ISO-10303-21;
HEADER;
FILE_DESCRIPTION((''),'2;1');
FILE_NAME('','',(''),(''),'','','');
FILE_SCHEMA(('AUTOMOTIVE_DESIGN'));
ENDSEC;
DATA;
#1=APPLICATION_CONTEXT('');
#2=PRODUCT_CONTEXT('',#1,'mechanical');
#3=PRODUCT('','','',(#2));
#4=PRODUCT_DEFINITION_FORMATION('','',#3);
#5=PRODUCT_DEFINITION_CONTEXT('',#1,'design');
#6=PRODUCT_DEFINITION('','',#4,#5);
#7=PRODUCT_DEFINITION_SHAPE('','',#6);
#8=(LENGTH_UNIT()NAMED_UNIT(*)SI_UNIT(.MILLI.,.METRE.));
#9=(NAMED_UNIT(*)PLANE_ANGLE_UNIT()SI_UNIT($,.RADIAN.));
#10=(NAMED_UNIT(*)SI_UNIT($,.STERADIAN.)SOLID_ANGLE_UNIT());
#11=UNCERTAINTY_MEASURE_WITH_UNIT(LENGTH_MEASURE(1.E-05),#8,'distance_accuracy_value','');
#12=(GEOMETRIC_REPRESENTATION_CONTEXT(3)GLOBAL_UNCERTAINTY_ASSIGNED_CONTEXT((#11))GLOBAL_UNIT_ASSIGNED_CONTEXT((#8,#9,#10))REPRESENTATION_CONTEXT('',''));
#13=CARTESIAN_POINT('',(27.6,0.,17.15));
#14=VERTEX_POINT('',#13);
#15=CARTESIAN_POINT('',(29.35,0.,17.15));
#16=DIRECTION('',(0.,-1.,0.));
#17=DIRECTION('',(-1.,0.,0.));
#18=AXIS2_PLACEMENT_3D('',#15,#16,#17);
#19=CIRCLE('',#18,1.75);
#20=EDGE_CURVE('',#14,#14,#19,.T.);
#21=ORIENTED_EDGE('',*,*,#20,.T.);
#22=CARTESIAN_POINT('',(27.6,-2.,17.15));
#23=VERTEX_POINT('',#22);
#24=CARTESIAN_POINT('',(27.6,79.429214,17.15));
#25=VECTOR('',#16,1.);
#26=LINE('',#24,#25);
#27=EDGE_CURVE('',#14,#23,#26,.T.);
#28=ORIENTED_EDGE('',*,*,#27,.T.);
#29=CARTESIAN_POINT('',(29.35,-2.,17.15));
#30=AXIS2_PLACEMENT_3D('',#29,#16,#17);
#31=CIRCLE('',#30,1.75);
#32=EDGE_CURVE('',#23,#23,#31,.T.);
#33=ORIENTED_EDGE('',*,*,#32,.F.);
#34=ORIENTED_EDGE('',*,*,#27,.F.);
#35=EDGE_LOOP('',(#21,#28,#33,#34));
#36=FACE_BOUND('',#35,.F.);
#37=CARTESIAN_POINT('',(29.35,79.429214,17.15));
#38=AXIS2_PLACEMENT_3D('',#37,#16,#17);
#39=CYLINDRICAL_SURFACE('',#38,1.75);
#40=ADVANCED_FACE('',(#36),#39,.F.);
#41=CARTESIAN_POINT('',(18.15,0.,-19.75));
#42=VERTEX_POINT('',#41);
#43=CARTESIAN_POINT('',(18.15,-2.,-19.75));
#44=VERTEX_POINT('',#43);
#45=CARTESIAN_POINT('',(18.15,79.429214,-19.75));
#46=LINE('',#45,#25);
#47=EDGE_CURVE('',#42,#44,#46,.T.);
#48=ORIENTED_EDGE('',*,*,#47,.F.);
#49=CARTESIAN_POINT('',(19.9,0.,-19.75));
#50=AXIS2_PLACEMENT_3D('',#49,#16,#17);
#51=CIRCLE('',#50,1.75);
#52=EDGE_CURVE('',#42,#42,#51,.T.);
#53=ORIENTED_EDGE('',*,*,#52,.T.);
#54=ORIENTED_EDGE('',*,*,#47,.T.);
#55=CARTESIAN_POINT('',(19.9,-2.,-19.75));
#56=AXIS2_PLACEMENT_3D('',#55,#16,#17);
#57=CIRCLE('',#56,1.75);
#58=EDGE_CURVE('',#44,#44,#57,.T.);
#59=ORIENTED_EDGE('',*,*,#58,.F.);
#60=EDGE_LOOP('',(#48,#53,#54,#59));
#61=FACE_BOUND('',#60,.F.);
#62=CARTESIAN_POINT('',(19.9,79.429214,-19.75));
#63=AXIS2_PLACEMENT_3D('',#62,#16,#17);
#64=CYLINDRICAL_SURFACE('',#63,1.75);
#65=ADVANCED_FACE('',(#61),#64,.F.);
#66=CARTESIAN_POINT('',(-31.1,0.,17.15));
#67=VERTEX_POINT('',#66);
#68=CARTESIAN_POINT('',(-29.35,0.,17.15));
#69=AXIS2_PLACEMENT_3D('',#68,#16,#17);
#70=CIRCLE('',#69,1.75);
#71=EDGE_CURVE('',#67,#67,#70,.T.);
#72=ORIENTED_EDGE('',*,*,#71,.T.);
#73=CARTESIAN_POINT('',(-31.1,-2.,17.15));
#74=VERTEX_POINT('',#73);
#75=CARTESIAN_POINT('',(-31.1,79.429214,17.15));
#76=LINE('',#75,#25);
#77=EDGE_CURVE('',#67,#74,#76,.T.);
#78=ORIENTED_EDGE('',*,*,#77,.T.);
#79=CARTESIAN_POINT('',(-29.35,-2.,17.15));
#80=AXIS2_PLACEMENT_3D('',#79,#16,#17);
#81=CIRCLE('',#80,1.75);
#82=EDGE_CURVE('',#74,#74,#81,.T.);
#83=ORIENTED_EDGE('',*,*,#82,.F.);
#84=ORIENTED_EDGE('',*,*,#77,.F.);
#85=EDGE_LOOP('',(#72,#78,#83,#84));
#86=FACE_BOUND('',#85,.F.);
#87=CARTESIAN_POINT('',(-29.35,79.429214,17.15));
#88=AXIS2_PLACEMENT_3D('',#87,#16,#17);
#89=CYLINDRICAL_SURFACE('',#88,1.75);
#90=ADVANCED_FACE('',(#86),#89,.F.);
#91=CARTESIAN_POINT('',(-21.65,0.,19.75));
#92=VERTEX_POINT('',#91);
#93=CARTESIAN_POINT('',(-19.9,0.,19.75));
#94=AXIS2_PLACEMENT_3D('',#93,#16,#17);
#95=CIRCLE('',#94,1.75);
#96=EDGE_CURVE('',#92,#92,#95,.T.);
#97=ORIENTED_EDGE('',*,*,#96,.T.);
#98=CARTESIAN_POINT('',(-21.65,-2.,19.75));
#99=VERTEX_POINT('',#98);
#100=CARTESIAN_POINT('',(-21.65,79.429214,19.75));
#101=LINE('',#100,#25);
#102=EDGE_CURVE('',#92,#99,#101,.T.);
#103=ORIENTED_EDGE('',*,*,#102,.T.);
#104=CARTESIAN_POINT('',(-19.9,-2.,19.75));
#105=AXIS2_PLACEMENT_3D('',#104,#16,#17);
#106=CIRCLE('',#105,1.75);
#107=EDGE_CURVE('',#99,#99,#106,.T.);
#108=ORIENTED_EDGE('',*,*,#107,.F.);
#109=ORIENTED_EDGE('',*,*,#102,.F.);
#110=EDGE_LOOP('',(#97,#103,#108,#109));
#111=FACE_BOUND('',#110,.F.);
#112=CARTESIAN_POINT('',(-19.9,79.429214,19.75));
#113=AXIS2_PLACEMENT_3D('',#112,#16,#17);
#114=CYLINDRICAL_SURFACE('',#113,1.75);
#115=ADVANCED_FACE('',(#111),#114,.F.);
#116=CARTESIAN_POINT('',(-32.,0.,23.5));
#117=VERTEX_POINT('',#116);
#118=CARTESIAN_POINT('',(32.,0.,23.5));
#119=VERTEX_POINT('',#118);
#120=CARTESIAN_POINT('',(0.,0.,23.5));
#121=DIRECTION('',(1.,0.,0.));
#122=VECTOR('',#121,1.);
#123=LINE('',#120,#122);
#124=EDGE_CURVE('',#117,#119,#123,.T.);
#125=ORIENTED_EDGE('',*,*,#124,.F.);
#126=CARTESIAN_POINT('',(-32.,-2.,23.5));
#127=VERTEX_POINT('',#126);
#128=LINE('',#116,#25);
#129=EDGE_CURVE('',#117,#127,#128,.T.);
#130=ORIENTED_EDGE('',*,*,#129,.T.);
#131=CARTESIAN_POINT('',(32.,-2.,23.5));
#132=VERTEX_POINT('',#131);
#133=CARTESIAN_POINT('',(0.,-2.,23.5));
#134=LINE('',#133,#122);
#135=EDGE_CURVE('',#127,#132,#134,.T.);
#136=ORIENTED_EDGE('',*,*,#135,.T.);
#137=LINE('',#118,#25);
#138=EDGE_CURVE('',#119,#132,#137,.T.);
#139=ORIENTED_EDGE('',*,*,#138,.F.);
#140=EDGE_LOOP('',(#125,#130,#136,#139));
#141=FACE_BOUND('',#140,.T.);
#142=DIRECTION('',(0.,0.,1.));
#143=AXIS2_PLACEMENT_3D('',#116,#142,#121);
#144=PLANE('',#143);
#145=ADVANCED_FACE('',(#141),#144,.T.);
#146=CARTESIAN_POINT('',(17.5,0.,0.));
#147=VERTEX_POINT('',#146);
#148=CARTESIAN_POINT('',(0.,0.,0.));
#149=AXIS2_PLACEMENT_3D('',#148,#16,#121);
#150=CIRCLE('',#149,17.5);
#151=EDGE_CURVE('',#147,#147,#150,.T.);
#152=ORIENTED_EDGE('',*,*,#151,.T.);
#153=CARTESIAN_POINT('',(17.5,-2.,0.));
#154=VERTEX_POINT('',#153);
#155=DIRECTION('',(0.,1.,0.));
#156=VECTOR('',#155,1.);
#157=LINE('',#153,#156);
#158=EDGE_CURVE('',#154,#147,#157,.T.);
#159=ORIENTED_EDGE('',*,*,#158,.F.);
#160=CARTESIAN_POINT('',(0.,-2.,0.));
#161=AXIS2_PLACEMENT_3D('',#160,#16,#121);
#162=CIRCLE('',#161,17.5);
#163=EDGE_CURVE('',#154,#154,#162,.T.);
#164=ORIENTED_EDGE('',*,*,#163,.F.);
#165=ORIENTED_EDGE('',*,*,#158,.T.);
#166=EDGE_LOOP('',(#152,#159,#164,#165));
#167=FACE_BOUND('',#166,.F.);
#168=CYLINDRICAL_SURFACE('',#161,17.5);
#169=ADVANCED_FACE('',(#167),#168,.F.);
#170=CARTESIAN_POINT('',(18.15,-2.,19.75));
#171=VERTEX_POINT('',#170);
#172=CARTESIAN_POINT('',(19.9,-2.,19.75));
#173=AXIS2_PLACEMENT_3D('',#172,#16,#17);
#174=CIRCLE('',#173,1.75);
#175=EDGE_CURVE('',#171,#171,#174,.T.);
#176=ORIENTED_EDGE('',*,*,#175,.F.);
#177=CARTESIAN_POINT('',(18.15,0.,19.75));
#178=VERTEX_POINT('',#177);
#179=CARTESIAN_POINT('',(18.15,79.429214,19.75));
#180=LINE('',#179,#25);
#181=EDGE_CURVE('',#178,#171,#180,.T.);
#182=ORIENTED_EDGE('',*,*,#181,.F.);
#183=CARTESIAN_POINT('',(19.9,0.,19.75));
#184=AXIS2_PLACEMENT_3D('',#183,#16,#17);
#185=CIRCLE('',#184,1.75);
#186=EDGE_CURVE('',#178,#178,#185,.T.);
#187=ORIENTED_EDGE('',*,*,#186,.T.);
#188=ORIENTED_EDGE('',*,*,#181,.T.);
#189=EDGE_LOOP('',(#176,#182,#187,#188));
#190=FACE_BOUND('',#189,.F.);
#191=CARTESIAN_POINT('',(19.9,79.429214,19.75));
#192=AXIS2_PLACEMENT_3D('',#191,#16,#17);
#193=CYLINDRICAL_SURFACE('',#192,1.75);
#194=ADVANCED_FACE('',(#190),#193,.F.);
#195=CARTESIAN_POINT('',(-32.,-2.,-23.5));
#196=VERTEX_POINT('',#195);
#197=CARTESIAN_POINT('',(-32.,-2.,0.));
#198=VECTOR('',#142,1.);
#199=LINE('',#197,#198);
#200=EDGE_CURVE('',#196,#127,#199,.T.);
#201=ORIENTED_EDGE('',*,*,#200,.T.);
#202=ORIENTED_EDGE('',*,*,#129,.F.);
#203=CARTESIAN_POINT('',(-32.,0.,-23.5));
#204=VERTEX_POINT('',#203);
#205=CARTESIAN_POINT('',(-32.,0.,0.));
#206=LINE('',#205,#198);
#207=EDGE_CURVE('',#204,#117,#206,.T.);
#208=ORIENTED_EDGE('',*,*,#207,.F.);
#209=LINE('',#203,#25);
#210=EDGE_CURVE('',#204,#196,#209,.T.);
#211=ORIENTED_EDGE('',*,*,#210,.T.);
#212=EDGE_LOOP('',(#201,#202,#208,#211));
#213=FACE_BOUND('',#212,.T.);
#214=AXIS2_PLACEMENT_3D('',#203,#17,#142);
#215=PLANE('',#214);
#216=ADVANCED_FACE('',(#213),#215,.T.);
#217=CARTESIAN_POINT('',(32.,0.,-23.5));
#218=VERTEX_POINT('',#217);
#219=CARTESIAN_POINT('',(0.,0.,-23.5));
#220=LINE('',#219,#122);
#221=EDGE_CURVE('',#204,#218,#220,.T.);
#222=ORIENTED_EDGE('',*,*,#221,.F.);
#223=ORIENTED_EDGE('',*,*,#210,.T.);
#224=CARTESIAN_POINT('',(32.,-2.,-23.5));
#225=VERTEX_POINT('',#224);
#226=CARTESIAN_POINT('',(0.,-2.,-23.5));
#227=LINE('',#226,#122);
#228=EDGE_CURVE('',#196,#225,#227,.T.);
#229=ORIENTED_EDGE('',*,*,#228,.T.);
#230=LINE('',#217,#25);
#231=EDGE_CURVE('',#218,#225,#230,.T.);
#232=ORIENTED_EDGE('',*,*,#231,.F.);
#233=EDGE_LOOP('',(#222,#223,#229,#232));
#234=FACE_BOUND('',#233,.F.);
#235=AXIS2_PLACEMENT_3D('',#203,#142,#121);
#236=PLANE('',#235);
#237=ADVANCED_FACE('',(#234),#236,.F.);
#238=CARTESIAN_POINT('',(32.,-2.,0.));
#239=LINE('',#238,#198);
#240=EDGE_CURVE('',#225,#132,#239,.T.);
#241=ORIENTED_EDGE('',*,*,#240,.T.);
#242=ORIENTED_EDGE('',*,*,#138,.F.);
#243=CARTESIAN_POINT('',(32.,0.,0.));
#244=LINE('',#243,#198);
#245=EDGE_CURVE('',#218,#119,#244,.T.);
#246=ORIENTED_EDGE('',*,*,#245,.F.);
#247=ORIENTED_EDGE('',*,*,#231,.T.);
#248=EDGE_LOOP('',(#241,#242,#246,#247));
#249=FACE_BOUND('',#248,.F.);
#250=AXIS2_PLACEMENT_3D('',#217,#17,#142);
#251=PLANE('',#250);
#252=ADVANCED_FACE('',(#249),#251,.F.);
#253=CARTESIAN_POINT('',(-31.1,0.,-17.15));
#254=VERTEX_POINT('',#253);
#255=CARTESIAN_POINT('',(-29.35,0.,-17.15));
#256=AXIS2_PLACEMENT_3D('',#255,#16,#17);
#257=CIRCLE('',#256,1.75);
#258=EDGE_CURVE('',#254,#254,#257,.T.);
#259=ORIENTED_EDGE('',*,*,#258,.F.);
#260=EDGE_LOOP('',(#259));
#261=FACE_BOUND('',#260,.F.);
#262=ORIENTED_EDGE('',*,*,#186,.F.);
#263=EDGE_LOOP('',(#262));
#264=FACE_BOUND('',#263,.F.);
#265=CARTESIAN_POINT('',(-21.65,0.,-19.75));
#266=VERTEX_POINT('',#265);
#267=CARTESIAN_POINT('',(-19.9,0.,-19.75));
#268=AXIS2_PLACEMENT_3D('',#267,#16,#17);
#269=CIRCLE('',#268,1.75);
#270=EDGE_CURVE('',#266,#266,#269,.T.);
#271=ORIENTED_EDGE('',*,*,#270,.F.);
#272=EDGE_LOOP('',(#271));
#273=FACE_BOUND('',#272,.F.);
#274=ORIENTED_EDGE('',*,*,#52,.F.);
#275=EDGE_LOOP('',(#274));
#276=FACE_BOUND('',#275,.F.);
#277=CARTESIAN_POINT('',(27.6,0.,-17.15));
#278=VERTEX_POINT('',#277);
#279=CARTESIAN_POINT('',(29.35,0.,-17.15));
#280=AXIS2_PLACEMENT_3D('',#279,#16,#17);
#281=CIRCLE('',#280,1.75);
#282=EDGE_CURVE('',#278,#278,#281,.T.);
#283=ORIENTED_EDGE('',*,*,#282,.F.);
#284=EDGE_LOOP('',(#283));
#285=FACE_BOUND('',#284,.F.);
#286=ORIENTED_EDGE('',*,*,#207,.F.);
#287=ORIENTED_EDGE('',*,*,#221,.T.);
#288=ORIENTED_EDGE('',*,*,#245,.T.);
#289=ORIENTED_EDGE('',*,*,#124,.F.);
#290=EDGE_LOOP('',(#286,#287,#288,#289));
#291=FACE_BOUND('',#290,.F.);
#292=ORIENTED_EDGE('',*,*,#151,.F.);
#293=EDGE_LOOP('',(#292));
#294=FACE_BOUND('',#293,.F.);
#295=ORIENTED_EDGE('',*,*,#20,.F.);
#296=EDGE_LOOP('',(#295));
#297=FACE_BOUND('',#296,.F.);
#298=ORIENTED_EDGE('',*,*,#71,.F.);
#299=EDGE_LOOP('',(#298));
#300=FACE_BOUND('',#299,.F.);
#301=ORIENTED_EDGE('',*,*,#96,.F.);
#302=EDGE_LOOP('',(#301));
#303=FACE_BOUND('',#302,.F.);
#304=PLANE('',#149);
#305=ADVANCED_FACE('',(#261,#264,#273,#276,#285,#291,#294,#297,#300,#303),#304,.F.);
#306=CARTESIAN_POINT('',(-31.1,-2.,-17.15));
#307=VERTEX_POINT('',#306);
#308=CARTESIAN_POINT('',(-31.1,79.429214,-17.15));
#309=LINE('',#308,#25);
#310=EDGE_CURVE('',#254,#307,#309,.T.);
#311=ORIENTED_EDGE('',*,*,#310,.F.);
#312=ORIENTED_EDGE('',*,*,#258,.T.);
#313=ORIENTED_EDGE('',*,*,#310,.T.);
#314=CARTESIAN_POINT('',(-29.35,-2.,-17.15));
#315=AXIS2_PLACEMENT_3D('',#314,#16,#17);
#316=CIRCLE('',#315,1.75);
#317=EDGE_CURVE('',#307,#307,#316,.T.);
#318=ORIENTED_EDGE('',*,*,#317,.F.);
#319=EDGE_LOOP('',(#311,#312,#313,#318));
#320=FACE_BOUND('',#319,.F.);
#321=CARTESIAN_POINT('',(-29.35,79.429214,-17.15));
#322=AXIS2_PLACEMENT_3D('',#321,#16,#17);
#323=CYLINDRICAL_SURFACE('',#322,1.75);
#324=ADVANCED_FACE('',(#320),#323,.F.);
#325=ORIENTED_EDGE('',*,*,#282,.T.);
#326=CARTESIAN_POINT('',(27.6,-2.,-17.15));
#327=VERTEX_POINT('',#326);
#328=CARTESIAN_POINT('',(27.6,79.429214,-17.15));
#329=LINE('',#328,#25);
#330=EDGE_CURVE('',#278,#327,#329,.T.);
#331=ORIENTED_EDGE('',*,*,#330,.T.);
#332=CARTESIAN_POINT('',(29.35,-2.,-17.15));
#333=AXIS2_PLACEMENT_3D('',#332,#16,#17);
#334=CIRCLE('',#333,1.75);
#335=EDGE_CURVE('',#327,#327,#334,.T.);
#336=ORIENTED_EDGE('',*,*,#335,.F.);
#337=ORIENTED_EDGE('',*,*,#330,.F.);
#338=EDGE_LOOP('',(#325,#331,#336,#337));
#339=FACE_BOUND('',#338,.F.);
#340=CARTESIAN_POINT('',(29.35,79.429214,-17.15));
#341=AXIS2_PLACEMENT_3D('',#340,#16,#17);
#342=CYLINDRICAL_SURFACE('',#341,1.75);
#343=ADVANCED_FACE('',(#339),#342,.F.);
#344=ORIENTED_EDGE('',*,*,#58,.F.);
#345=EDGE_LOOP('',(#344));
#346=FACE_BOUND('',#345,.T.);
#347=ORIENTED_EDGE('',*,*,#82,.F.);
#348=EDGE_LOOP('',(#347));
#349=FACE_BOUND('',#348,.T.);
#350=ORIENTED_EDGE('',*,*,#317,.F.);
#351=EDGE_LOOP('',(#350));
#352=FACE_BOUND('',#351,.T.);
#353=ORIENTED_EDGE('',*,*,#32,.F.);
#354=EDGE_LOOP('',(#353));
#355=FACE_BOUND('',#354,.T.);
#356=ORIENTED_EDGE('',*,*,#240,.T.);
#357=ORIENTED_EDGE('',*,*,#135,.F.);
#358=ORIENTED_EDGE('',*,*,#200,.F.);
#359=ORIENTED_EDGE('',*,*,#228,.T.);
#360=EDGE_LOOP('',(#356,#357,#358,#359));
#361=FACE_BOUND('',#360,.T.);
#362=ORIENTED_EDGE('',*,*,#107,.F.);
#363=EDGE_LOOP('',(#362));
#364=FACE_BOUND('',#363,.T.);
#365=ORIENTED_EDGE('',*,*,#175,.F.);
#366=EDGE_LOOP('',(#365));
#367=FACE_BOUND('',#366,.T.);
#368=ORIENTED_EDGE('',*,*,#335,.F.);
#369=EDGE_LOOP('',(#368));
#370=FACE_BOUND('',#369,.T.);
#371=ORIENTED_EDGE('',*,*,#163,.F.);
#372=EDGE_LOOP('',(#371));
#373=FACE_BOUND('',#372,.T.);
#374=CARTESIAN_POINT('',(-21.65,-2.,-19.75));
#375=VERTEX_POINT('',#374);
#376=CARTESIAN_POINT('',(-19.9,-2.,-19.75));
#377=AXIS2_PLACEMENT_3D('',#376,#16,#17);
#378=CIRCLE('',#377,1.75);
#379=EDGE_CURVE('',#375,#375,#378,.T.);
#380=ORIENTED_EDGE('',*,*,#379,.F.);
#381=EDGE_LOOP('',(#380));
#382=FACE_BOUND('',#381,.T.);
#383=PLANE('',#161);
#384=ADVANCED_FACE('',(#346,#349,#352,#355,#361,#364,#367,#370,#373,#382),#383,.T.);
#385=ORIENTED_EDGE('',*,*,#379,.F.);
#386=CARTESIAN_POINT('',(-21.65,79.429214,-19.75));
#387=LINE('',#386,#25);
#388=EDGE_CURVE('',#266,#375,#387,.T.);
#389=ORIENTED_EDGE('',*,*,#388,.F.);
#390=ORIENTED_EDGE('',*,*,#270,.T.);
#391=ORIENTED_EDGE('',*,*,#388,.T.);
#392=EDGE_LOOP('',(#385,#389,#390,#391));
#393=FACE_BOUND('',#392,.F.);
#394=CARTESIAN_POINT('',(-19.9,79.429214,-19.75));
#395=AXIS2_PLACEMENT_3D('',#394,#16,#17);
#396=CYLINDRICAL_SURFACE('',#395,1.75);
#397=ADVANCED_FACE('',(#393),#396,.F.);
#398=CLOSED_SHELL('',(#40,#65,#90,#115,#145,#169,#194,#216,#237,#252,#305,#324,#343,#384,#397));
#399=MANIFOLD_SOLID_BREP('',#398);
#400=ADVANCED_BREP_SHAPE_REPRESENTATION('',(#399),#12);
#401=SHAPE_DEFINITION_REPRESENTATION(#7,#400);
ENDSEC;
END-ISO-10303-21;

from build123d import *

# Parameters (mm, degrees)
F0_W     = 64
F0_H     = 47
F1_DEPTH = 2
F2_D     = 3.5
F3_R     = 17.5
F4_DEPTH = 25


with BuildPart() as f1:
    # F0 (on Front) → F1 (new body)
    with BuildSketch(Plane.XZ):
        Rectangle(F0_W, F0_H)
    extrude(amount=F1_DEPTH)

    # F2 (through all)
    with Locations(Plane(origin=(0, 0, 0), x_dir=(1, 0, 0), z_dir=(0, 1, 0))):
        with Locations((-29.35, 17.15), (-19.9, 19.75), (19.9, 19.75), (29.35, 17.15), (29.35, -17.15), (19.9, -19.75), (-19.9, -19.75), (-29.35, -17.15)):
            Hole(F2_D / 2)

    # F3 (on face) → F4 (cut)
    with BuildSketch(Plane.XZ.offset(2)):
        Circle(F3_R)
    extrude(amount=-F4_DEPTH, mode=Mode.SUBTRACT)


solid = f1.part
